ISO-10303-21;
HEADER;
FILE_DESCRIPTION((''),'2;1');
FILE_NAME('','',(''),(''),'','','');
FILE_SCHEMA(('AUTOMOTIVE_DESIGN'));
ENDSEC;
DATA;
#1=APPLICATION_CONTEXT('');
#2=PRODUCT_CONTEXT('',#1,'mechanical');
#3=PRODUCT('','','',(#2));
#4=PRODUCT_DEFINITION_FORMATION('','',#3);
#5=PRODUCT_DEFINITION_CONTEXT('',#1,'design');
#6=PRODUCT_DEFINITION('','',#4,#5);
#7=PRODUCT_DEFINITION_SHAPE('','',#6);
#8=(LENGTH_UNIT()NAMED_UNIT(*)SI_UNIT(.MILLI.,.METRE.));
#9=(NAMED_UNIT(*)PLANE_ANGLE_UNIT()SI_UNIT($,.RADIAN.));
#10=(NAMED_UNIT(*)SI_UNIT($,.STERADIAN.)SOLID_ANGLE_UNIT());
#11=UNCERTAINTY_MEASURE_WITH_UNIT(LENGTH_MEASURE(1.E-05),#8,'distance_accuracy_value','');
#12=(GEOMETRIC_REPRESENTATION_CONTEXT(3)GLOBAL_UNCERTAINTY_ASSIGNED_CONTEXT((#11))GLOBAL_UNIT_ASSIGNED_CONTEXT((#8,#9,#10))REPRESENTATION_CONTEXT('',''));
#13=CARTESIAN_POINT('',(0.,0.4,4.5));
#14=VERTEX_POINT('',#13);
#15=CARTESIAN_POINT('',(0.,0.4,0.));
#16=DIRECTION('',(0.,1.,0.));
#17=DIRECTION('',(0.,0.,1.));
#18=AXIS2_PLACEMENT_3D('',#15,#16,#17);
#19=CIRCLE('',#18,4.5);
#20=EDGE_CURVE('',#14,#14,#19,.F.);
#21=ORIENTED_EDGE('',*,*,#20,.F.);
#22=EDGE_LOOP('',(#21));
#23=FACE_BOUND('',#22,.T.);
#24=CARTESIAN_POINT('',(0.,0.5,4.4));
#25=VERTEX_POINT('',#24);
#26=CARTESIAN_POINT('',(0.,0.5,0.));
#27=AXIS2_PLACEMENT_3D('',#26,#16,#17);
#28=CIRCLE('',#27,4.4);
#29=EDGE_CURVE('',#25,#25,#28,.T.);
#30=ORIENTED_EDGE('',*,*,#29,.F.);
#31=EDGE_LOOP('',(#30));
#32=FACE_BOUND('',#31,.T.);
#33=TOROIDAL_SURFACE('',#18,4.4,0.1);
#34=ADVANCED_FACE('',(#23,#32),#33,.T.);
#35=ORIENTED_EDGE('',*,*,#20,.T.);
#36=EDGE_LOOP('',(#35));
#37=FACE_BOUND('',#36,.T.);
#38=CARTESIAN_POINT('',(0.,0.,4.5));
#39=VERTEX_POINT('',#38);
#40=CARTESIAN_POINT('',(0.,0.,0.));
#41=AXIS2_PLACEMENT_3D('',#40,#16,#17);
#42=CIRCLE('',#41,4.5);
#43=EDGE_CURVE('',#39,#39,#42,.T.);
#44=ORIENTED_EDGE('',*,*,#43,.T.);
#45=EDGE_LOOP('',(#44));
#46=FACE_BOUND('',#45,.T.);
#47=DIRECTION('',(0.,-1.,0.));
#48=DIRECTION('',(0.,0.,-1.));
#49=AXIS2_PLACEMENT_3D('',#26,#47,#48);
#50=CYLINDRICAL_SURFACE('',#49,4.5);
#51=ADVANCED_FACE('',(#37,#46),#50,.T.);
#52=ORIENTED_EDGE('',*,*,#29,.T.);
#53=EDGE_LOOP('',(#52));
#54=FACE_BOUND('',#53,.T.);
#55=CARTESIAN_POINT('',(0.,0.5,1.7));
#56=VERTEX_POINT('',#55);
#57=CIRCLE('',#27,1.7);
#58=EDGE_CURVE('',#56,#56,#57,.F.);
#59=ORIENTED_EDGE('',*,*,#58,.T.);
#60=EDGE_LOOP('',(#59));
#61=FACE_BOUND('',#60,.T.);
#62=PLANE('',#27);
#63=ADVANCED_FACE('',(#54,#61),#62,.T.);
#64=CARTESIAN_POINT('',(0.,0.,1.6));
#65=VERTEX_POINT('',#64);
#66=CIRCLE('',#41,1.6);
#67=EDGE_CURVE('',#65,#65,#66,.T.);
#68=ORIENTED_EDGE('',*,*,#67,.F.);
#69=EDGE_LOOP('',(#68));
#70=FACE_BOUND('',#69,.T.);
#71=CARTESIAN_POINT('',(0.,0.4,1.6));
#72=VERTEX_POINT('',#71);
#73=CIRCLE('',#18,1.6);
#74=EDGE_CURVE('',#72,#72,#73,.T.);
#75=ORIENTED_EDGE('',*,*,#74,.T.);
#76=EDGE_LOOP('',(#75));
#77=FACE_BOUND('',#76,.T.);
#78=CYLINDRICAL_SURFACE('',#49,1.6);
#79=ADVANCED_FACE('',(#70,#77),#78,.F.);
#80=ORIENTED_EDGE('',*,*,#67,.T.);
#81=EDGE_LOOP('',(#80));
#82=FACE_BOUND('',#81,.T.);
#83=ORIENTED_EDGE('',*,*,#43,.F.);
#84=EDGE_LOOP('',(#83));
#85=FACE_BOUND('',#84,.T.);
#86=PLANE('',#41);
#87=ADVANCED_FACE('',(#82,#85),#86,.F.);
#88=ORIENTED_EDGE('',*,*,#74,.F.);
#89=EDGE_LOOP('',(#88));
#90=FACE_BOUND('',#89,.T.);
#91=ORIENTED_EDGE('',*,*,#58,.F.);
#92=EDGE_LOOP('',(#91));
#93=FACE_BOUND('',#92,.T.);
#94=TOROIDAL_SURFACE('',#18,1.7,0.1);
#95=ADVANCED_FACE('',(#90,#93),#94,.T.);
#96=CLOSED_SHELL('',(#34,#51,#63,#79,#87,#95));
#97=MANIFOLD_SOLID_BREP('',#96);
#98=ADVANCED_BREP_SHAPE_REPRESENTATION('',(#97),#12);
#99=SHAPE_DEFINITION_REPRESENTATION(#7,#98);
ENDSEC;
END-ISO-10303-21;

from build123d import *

# Parameters (mm, degrees)
SZKIC1_R                    = 4.5
SZKIC1_R_2                  = 1.6
DODANIE_WYCI_GNI_CIE1_DEPTH = 0.5
ZAOKR_GLENIE1_R             = 0.1


with BuildPart() as part:
    # Szkic1 → Dodanie-wyciągnięcie1 (new body)
    with BuildSketch(Plane(origin=(0, 0, 0), x_dir=(1, 0, 0), z_dir=(0, 1, 0))):
        with Locations(Location((0, 0, 0), (0, 0, 270))):
            Circle(SZKIC1_R)
        with Locations(Location((0, 0, 0), (0, 0, 270))):
            Circle(SZKIC1_R_2, mode=Mode.SUBTRACT)
    extrude(amount=DODANIE_WYCI_GNI_CIE1_DEPTH)

    # Zaokrąglenie1
    zaokr_glenie1_edges = [part.edges().sort_by_distance(p)[0] for p in [
        (0, 0.5, -4.5),
        (0, 0.5, -1.6),
    ]]
    fillet(zaokr_glenie1_edges, radius=ZAOKR_GLENIE1_R)


solid = part.part
